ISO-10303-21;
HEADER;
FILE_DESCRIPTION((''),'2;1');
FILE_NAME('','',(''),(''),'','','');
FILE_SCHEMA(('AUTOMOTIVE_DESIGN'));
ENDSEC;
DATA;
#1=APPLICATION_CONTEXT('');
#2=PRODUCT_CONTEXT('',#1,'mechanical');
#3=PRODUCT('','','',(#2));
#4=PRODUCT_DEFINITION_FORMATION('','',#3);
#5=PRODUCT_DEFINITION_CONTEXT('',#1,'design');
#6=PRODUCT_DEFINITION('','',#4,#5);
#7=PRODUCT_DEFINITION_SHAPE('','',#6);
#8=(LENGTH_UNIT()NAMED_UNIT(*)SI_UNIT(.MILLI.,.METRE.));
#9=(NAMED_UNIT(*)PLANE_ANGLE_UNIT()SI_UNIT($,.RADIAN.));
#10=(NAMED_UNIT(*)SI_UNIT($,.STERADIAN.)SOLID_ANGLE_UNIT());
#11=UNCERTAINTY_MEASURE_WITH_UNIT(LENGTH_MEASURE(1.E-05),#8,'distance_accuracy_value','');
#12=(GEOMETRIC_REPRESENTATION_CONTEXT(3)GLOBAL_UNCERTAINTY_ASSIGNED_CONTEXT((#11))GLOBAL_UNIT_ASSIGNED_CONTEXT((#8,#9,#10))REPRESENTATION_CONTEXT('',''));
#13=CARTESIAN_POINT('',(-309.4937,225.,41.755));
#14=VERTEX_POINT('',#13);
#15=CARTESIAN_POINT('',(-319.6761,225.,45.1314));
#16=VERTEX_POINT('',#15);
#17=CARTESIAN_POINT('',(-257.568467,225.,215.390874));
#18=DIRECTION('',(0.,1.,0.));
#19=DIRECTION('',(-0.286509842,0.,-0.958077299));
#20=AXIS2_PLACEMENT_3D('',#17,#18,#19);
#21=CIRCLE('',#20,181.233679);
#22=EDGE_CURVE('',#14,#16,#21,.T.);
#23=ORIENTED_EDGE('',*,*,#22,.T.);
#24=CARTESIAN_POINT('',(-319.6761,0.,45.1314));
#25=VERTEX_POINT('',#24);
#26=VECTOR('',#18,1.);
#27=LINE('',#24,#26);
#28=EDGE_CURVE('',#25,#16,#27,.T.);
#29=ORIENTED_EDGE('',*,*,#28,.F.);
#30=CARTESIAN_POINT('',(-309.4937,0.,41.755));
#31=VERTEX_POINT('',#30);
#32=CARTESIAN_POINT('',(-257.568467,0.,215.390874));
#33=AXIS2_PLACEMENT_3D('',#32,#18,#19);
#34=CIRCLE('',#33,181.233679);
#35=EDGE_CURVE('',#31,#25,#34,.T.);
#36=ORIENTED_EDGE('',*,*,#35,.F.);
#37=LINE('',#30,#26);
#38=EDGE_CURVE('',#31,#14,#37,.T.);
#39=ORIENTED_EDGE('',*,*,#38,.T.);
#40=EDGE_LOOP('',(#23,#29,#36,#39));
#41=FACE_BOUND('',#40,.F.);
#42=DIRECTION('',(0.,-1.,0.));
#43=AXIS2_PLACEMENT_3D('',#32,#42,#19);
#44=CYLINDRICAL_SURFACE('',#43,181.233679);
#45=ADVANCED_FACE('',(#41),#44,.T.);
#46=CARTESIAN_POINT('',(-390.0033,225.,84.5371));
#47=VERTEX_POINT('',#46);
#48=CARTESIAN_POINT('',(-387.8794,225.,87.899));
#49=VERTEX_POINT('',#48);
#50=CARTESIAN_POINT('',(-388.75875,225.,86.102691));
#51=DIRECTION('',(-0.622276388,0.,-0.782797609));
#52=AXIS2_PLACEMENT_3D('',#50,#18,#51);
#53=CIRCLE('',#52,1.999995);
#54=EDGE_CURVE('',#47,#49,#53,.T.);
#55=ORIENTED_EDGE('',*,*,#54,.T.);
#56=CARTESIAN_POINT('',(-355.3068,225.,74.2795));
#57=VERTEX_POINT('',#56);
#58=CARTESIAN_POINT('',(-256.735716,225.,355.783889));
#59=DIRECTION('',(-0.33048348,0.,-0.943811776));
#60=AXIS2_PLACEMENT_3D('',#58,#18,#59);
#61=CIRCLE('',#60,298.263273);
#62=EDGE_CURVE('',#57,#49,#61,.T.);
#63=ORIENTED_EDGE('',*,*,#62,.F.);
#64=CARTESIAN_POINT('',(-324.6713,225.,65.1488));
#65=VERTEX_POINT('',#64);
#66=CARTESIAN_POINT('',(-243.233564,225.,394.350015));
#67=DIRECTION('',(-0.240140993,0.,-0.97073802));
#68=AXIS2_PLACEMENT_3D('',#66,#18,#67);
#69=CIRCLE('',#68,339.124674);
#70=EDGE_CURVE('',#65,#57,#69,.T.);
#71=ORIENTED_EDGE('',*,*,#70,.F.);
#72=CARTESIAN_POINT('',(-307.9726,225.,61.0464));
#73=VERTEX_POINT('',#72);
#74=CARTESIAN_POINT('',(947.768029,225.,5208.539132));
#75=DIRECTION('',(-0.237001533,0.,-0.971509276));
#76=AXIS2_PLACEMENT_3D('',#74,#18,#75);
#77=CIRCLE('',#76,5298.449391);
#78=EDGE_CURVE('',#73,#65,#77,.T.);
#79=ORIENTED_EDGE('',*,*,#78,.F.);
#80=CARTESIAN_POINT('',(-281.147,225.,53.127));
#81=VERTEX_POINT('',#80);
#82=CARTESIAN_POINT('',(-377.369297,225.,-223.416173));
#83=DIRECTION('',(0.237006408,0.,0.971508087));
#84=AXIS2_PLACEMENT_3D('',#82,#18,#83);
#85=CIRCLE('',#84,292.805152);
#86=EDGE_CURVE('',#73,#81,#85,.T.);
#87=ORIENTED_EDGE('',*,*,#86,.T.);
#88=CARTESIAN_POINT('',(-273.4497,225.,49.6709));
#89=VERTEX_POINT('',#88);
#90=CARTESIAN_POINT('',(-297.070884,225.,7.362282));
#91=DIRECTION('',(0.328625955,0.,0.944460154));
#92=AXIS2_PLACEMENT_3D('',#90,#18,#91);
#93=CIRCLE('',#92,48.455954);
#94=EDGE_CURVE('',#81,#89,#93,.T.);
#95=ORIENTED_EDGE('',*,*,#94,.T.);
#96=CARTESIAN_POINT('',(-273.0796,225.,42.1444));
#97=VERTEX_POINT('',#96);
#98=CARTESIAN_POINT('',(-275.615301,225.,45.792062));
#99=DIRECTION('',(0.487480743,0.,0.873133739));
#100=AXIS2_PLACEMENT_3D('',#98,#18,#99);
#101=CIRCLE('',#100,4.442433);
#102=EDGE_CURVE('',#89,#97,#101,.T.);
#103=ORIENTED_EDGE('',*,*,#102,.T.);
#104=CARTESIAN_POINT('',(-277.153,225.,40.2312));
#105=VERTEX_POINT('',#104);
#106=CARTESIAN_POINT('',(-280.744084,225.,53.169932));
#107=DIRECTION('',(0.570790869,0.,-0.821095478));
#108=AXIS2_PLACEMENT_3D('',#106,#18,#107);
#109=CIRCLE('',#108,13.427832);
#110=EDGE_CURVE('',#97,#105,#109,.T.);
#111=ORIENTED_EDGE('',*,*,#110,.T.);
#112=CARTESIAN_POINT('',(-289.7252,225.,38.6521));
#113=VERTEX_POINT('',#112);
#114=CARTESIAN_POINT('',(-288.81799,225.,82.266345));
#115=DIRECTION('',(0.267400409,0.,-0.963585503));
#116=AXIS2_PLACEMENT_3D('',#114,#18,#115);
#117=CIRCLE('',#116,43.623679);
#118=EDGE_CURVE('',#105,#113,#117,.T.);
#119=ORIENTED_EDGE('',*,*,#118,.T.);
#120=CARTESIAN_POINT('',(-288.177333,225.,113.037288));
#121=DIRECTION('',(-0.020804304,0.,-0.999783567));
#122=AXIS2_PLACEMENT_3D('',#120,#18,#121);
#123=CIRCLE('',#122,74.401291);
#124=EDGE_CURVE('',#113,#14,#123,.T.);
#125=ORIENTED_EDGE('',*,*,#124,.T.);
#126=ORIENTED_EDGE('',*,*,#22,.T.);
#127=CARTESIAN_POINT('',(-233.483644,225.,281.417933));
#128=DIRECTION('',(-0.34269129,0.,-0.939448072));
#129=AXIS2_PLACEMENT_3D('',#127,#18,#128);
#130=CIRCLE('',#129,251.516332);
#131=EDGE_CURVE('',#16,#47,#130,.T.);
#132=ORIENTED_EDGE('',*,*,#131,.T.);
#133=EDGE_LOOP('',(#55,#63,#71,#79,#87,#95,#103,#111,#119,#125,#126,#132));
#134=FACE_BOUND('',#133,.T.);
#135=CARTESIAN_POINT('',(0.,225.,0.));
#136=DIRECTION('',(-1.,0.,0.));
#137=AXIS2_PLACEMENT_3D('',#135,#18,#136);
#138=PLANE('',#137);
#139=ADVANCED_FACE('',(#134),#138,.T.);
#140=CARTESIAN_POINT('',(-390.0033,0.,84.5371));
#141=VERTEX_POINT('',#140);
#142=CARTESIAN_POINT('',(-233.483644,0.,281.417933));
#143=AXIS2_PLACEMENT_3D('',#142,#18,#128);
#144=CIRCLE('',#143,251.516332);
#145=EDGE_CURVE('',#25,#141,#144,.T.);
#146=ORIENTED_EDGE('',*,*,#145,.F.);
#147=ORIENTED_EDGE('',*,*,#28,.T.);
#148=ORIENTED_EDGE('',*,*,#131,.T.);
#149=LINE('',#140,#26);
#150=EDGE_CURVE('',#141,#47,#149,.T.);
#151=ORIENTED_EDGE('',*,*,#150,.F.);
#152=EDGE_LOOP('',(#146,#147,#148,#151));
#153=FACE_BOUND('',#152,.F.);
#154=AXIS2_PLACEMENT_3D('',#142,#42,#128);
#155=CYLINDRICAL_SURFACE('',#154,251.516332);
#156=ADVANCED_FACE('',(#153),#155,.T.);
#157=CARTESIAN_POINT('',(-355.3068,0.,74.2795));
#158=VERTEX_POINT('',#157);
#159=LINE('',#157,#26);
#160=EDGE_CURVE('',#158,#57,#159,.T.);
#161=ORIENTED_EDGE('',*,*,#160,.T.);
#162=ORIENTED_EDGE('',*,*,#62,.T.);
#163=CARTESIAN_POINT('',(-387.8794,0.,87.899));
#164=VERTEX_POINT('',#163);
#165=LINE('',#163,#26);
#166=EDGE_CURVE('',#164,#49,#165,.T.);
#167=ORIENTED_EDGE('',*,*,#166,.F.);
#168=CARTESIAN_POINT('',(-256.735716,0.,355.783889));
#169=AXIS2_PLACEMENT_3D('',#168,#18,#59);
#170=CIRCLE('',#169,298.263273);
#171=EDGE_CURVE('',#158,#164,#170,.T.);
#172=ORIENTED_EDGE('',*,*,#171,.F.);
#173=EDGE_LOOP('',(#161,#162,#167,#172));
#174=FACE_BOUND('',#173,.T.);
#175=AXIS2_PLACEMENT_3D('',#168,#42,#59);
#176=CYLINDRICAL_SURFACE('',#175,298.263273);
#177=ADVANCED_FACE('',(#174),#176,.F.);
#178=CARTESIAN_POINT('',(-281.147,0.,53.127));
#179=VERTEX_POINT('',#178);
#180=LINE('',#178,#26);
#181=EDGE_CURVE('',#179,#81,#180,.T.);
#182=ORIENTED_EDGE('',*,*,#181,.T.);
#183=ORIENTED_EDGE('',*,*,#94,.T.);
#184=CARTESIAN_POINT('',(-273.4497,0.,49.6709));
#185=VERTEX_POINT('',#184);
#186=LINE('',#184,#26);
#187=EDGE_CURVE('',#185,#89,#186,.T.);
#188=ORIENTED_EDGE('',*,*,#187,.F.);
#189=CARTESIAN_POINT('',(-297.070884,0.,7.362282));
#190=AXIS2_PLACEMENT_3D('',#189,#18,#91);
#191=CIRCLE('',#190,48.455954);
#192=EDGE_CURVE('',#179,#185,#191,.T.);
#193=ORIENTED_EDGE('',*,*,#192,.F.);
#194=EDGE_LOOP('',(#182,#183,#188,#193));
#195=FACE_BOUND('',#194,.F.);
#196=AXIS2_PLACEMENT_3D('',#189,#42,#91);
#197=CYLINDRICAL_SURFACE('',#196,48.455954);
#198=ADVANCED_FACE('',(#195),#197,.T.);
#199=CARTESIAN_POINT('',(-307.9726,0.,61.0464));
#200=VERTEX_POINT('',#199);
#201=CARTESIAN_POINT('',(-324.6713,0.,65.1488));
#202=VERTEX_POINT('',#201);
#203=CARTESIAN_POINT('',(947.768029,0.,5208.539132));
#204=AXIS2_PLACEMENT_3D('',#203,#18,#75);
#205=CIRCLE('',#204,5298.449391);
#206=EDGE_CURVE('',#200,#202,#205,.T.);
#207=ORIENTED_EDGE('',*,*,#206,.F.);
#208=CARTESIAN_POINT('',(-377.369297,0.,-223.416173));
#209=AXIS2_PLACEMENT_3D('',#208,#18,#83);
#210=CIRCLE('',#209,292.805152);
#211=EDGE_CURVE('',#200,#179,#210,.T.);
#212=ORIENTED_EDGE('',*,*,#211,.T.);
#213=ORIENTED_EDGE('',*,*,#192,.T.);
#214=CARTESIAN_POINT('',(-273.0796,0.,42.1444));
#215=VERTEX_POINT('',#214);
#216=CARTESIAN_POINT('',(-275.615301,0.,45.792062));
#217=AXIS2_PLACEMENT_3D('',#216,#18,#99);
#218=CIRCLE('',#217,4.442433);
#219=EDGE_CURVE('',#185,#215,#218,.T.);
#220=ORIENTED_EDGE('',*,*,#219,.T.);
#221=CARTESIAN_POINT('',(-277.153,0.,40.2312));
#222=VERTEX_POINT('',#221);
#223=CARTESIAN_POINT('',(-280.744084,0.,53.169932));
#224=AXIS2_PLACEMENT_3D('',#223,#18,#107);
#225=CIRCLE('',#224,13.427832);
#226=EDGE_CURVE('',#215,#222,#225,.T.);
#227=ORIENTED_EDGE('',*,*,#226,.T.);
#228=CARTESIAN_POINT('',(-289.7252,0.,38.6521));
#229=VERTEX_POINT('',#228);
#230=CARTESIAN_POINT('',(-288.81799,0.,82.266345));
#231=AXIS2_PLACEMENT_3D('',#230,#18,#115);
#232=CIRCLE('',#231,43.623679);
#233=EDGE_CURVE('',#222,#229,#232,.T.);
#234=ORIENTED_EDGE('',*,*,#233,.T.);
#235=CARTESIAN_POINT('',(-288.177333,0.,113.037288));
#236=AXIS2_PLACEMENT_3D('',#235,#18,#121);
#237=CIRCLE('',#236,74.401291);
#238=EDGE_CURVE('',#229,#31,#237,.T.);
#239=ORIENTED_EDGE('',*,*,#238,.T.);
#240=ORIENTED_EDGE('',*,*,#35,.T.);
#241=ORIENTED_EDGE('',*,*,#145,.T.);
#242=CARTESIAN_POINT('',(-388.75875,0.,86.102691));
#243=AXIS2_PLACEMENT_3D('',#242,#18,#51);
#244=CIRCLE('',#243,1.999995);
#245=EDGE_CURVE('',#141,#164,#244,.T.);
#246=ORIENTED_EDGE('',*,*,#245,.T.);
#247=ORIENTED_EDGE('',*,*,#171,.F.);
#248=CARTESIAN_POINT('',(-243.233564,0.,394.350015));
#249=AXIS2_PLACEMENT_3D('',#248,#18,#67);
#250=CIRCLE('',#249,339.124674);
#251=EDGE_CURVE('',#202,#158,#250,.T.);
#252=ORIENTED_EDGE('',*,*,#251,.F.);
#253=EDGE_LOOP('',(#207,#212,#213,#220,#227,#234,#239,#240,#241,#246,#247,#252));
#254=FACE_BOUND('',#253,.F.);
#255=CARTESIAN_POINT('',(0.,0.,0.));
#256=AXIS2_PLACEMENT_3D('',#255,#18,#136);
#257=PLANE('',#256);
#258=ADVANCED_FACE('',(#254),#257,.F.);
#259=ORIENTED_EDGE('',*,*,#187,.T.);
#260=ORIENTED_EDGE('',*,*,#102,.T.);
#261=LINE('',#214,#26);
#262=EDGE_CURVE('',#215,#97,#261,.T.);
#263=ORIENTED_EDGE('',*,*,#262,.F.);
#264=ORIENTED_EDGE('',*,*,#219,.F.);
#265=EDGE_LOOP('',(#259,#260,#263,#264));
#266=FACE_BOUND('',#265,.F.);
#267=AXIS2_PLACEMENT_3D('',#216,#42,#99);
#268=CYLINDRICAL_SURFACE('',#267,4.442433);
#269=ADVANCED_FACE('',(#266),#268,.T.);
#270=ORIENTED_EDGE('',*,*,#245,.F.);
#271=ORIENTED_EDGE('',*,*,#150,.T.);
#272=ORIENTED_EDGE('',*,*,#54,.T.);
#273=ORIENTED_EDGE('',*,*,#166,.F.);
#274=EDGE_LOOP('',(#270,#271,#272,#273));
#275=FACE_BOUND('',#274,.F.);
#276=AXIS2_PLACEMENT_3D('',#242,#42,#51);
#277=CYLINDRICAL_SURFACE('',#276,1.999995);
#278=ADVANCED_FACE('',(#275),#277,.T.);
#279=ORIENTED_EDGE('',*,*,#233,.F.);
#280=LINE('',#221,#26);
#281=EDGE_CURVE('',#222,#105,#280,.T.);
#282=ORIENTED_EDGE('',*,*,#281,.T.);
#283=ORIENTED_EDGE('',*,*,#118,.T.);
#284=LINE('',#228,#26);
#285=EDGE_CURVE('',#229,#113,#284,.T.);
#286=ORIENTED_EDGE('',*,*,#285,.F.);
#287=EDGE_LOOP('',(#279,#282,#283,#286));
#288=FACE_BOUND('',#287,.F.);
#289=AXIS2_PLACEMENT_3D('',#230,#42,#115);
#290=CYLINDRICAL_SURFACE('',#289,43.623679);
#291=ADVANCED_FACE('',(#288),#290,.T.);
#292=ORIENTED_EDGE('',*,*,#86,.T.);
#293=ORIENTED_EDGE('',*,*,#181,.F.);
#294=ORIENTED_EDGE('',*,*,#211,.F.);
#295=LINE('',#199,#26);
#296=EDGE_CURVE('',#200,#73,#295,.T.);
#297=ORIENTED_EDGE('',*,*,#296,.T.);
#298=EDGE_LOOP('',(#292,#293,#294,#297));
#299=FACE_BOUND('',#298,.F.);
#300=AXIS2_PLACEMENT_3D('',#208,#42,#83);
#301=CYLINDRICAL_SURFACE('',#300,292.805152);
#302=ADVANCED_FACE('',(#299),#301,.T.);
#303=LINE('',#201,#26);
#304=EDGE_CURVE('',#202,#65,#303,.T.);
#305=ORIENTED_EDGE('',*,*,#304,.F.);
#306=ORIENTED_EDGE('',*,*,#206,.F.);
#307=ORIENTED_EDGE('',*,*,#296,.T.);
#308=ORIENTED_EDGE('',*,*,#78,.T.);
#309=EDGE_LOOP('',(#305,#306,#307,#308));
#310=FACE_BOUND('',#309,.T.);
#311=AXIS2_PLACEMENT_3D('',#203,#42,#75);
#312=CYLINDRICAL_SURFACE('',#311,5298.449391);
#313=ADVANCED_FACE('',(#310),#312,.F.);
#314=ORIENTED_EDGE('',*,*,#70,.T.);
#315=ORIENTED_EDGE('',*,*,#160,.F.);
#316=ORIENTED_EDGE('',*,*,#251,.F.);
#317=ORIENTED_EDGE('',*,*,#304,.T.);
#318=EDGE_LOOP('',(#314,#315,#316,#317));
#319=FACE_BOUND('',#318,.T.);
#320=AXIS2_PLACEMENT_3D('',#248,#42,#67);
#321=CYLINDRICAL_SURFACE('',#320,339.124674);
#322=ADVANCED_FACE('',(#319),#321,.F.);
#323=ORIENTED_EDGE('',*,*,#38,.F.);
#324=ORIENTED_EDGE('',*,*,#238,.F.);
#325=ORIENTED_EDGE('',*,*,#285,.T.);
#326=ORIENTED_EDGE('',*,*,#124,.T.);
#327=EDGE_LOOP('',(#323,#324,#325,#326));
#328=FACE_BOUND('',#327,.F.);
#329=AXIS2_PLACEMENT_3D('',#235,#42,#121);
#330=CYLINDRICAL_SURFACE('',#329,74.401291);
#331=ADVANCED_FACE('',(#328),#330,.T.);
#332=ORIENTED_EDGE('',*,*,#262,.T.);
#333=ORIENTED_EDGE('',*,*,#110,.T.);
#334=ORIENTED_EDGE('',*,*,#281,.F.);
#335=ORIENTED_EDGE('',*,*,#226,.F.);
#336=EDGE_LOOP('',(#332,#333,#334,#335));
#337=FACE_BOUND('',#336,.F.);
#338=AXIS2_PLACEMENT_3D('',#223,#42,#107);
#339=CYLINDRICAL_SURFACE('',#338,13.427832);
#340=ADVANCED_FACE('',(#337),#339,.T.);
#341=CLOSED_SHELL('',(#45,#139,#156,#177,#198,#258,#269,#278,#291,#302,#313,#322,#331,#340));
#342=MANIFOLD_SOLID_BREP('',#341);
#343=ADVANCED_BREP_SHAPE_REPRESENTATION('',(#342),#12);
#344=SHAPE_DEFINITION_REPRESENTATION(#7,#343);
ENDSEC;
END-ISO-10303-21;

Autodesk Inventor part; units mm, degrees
ref_plane "YZ Plane" through (0, 0, 0) normal (1, 0, 0) x (0, 1, 0)
ref_plane "XZ Plane" through (0, 0, 0) normal (0, 1, 0) x (-1, 0, 0)
ref_plane "XY Plane" through (0, 0, 0) normal (0, 0, 1) x (1, 0, 0)
sketch "スケッチ1" plane through (0, 0, 0) normal (0, 1, 0) x (-1, 0, 0)
  arc A0 (319.6761, 45.1314) -> (390.0033, 84.5371) centre (233.4832, 281.4189) ccw projected
  arc A1 (390.0033, 84.5371) -> (387.8794, 87.899) centre (388.7587, 86.1027) ccw projected
  arc A2 (355.3068, 74.2795) -> (387.8794, 87.899) centre (256.7374, 355.7795) ccw projected
  arc A3 (324.6713, 65.1488) -> (355.3068, 74.2795) centre (243.2403, 394.3253) ccw projected
  arc A4 (307.9726, 61.0464) -> (324.6713, 65.1488) centre (-955.196, 5238.8807) ccw projected
  arc A5 (307.9726, 61.0464) -> (281.147, 53.127) centre (377.3682, -223.4121) ccw projected
  arc A6 (281.147, 53.127) -> (273.4497, 49.6709) centre (297.0704, 7.3635) ccw projected
  arc A7 (273.4497, 49.6709) -> (273.0796, 42.1444) centre (275.6154, 45.792) ccw projected
  arc A8 (273.0796, 42.1444) -> (277.153, 40.2312) centre (280.7432, 53.1684) ccw projected
  arc A9 (277.153, 40.2312) -> (289.7252, 38.6521) centre (288.8177, 82.2649) ccw projected
  arc A10 (289.7252, 38.6521) -> (309.4937, 41.755) centre (288.1775, 113.0354) ccw projected
  arc A11 (309.4937, 41.755) -> (319.6761, 45.1314) centre (257.566, 215.3987) ccw projected
  point P0 (0, 0)
extrude "押し出し1" add sketch "スケッチ1" along normal blind 225
properties part number "sub flap"
